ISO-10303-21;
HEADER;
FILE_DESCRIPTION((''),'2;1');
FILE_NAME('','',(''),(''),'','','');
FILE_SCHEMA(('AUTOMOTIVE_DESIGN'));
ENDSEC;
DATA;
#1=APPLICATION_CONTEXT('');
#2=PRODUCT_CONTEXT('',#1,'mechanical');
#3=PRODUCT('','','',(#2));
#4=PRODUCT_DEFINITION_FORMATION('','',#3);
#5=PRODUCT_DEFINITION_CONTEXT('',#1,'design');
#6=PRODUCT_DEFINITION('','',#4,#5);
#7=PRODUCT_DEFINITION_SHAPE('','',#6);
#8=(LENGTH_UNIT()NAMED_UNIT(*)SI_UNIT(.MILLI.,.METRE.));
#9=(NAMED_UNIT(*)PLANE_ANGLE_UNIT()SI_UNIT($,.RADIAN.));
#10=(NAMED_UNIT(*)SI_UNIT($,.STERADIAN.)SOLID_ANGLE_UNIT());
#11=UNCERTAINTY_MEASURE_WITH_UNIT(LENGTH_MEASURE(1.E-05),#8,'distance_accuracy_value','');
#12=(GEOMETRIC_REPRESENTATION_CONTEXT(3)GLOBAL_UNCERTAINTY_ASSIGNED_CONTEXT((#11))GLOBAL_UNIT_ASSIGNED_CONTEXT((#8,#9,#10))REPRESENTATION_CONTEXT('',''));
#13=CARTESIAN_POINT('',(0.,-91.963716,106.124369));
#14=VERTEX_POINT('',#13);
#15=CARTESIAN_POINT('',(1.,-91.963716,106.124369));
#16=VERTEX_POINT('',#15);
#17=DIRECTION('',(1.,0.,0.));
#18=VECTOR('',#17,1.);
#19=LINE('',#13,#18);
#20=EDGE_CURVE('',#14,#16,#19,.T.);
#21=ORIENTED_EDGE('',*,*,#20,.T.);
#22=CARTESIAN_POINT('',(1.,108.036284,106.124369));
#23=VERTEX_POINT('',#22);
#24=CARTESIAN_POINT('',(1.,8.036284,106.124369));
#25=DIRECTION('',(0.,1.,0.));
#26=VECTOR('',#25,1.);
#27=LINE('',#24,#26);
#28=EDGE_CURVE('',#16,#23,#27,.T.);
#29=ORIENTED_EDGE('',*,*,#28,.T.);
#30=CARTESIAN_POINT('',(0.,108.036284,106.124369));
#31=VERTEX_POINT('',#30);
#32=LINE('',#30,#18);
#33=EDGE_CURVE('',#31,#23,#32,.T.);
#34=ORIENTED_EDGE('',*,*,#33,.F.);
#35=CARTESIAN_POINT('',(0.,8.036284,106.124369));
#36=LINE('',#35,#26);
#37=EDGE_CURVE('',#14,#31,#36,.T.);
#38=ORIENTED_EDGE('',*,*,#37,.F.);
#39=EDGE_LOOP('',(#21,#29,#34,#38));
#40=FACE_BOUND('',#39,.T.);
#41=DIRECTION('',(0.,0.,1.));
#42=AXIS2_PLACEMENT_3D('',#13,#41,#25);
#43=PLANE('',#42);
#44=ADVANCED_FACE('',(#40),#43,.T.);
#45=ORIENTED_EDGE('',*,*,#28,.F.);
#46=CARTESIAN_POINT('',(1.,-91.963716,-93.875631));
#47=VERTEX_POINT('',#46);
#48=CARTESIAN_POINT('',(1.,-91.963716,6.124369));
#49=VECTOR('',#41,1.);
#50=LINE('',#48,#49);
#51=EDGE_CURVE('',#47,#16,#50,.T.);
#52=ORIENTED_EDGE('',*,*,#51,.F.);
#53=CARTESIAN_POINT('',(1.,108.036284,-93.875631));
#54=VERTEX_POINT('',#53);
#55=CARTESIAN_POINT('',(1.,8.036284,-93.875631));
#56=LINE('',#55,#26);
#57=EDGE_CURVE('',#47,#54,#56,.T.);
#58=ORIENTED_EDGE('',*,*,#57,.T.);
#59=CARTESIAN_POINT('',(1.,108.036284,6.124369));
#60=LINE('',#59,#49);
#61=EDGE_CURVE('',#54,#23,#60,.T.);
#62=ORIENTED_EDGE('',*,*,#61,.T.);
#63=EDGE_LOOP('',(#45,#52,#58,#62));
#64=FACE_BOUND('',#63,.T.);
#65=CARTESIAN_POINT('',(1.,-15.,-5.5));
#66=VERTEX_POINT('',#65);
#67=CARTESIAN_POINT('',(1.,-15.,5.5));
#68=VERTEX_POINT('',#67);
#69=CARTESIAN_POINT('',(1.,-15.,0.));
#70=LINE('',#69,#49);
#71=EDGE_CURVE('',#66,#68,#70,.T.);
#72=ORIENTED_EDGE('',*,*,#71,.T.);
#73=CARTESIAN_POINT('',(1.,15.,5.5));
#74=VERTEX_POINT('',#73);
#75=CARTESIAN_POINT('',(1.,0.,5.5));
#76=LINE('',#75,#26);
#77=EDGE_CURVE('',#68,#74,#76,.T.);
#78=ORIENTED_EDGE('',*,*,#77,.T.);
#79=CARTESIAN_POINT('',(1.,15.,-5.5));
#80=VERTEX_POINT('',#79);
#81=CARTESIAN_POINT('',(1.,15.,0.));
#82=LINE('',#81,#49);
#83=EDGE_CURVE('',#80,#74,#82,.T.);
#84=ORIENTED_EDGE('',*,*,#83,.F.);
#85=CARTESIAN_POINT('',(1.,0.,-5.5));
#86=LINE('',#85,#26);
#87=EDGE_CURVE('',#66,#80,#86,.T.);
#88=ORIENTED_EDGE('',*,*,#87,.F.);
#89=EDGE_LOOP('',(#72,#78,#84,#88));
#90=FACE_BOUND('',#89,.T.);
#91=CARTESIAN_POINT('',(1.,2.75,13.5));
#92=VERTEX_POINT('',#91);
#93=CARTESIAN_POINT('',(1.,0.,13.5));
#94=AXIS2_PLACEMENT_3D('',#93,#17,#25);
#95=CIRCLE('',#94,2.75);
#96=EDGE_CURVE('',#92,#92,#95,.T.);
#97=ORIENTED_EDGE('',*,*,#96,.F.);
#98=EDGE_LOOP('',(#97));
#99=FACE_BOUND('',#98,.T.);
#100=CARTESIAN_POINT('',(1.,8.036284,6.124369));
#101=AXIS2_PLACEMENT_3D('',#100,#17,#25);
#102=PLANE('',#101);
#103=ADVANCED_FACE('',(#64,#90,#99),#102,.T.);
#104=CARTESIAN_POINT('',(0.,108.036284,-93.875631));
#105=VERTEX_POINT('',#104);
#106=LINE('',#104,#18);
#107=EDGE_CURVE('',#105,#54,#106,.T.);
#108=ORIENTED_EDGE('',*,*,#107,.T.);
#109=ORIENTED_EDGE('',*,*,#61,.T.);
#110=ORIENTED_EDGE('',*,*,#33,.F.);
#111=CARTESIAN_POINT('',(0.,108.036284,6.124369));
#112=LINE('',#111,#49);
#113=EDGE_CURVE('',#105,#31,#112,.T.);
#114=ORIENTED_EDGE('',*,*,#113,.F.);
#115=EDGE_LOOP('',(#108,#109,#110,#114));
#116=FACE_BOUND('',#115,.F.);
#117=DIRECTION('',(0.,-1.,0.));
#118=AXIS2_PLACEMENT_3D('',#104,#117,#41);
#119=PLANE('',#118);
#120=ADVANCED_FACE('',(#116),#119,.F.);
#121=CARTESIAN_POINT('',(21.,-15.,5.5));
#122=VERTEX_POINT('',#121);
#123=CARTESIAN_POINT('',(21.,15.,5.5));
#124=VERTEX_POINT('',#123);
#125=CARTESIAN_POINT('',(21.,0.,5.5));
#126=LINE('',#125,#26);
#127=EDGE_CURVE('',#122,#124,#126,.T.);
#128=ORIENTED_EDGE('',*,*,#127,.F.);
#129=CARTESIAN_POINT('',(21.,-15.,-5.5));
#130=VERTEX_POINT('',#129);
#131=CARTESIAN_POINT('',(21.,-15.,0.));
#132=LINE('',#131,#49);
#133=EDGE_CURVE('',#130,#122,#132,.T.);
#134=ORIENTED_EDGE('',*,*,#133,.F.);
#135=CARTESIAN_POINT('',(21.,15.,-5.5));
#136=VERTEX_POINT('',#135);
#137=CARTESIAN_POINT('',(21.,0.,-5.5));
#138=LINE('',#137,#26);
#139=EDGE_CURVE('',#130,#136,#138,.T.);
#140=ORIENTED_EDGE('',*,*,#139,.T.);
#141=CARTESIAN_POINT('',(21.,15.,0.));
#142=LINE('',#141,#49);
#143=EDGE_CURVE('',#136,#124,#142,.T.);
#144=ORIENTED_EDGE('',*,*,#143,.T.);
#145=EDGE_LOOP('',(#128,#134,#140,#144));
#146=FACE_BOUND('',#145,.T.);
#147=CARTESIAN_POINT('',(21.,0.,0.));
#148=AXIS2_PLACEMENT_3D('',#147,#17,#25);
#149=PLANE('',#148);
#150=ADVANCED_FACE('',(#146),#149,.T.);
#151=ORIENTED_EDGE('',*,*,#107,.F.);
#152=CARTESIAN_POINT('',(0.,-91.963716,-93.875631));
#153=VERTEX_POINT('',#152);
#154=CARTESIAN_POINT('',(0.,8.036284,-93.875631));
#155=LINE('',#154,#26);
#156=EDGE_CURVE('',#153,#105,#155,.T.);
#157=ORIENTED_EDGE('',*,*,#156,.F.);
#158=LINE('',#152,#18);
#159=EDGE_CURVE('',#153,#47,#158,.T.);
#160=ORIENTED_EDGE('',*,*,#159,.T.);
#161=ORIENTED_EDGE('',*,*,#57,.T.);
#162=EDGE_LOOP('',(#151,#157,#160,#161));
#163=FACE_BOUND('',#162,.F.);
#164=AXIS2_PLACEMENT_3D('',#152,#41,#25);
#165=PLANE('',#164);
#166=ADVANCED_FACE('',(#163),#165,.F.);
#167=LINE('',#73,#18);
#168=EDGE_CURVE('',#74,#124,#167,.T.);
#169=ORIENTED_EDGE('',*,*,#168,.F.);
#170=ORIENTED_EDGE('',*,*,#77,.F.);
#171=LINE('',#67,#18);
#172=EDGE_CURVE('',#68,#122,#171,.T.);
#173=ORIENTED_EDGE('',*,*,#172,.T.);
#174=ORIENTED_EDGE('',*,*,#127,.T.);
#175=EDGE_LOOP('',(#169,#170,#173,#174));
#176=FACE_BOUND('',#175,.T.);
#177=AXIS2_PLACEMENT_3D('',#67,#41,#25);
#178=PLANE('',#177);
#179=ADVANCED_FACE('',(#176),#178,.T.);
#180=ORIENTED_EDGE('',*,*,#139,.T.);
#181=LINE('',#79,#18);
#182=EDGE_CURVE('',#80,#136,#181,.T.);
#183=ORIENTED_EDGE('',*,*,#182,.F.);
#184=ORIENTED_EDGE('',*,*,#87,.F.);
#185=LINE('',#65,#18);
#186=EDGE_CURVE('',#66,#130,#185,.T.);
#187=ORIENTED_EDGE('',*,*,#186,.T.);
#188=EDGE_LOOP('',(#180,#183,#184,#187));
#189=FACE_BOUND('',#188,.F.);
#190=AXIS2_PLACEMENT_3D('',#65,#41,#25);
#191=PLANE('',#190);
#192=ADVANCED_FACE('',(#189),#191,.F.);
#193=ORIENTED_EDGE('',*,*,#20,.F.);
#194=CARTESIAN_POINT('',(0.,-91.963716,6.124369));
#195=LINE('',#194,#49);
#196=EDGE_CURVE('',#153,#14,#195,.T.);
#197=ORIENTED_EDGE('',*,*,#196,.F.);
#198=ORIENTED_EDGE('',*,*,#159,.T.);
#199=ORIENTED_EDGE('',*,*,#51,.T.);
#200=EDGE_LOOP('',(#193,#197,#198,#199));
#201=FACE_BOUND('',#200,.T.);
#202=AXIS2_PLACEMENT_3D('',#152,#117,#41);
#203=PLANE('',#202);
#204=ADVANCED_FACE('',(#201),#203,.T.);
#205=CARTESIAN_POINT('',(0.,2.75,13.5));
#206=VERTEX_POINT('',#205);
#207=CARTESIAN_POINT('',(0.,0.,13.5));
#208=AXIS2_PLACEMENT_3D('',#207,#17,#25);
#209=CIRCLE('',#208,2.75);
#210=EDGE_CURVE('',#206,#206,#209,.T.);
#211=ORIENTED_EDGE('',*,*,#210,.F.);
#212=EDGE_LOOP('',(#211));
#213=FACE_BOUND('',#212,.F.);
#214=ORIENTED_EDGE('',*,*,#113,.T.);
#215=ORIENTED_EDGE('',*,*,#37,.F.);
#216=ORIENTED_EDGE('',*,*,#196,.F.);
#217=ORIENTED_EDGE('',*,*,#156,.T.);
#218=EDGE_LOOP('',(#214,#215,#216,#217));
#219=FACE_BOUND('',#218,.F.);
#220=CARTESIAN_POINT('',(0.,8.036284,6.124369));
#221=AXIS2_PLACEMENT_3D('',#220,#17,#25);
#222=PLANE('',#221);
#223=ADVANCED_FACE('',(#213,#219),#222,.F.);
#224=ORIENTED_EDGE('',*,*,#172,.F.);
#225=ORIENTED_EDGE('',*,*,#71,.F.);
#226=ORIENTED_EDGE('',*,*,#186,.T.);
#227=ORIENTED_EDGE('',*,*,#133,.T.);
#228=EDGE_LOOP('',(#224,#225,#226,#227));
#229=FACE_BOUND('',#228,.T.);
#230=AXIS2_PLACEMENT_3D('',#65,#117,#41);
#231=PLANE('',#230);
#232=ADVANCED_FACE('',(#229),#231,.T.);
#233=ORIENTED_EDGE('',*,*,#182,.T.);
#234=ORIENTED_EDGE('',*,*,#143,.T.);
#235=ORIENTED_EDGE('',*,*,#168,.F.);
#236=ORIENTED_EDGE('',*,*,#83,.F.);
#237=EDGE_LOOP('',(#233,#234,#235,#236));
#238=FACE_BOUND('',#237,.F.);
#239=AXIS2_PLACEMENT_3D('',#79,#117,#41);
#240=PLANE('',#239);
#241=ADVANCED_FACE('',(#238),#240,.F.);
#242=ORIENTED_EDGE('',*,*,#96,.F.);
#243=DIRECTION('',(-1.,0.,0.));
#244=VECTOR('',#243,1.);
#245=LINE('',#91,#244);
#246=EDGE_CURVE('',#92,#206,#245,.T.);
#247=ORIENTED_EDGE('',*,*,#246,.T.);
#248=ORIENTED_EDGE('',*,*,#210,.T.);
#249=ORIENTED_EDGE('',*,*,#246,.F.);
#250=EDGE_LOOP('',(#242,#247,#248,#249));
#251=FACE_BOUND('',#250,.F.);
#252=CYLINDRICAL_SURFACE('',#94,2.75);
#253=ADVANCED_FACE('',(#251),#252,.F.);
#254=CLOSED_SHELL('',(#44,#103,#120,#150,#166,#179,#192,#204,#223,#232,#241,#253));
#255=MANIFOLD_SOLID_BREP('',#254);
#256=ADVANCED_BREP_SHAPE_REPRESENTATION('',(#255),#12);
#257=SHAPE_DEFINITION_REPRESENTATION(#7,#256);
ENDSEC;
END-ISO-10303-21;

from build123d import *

# Parameters (mm, degrees)
F0_W     = 200
F0_H     = 200
F1_DEPTH = 1
F2_W     = 30
F2_H     = 11
F3_DEPTH = 20
F4_R     = 2.75
F5_DEPTH = 25


with BuildPart() as f1:
    # F0 (on Right) → F1 (new body)
    with BuildSketch(Plane.YZ):
        with Locations((8.036284, 6.124369)):
            Rectangle(F0_W, F0_H)
    extrude(amount=F1_DEPTH)

    # F2 (on face) → F3 (join)
    with BuildSketch(Plane.YZ.offset(1)):
        Rectangle(F2_W, F2_H)
    extrude(amount=F3_DEPTH)

    # F4 (on face) → F5 (cut)
    with BuildSketch(Plane.YZ.offset(1)):
        with Locations((0, 13.5)):
            Circle(F4_R)
    extrude(amount=-F5_DEPTH, mode=Mode.SUBTRACT)


solid = f1.part
